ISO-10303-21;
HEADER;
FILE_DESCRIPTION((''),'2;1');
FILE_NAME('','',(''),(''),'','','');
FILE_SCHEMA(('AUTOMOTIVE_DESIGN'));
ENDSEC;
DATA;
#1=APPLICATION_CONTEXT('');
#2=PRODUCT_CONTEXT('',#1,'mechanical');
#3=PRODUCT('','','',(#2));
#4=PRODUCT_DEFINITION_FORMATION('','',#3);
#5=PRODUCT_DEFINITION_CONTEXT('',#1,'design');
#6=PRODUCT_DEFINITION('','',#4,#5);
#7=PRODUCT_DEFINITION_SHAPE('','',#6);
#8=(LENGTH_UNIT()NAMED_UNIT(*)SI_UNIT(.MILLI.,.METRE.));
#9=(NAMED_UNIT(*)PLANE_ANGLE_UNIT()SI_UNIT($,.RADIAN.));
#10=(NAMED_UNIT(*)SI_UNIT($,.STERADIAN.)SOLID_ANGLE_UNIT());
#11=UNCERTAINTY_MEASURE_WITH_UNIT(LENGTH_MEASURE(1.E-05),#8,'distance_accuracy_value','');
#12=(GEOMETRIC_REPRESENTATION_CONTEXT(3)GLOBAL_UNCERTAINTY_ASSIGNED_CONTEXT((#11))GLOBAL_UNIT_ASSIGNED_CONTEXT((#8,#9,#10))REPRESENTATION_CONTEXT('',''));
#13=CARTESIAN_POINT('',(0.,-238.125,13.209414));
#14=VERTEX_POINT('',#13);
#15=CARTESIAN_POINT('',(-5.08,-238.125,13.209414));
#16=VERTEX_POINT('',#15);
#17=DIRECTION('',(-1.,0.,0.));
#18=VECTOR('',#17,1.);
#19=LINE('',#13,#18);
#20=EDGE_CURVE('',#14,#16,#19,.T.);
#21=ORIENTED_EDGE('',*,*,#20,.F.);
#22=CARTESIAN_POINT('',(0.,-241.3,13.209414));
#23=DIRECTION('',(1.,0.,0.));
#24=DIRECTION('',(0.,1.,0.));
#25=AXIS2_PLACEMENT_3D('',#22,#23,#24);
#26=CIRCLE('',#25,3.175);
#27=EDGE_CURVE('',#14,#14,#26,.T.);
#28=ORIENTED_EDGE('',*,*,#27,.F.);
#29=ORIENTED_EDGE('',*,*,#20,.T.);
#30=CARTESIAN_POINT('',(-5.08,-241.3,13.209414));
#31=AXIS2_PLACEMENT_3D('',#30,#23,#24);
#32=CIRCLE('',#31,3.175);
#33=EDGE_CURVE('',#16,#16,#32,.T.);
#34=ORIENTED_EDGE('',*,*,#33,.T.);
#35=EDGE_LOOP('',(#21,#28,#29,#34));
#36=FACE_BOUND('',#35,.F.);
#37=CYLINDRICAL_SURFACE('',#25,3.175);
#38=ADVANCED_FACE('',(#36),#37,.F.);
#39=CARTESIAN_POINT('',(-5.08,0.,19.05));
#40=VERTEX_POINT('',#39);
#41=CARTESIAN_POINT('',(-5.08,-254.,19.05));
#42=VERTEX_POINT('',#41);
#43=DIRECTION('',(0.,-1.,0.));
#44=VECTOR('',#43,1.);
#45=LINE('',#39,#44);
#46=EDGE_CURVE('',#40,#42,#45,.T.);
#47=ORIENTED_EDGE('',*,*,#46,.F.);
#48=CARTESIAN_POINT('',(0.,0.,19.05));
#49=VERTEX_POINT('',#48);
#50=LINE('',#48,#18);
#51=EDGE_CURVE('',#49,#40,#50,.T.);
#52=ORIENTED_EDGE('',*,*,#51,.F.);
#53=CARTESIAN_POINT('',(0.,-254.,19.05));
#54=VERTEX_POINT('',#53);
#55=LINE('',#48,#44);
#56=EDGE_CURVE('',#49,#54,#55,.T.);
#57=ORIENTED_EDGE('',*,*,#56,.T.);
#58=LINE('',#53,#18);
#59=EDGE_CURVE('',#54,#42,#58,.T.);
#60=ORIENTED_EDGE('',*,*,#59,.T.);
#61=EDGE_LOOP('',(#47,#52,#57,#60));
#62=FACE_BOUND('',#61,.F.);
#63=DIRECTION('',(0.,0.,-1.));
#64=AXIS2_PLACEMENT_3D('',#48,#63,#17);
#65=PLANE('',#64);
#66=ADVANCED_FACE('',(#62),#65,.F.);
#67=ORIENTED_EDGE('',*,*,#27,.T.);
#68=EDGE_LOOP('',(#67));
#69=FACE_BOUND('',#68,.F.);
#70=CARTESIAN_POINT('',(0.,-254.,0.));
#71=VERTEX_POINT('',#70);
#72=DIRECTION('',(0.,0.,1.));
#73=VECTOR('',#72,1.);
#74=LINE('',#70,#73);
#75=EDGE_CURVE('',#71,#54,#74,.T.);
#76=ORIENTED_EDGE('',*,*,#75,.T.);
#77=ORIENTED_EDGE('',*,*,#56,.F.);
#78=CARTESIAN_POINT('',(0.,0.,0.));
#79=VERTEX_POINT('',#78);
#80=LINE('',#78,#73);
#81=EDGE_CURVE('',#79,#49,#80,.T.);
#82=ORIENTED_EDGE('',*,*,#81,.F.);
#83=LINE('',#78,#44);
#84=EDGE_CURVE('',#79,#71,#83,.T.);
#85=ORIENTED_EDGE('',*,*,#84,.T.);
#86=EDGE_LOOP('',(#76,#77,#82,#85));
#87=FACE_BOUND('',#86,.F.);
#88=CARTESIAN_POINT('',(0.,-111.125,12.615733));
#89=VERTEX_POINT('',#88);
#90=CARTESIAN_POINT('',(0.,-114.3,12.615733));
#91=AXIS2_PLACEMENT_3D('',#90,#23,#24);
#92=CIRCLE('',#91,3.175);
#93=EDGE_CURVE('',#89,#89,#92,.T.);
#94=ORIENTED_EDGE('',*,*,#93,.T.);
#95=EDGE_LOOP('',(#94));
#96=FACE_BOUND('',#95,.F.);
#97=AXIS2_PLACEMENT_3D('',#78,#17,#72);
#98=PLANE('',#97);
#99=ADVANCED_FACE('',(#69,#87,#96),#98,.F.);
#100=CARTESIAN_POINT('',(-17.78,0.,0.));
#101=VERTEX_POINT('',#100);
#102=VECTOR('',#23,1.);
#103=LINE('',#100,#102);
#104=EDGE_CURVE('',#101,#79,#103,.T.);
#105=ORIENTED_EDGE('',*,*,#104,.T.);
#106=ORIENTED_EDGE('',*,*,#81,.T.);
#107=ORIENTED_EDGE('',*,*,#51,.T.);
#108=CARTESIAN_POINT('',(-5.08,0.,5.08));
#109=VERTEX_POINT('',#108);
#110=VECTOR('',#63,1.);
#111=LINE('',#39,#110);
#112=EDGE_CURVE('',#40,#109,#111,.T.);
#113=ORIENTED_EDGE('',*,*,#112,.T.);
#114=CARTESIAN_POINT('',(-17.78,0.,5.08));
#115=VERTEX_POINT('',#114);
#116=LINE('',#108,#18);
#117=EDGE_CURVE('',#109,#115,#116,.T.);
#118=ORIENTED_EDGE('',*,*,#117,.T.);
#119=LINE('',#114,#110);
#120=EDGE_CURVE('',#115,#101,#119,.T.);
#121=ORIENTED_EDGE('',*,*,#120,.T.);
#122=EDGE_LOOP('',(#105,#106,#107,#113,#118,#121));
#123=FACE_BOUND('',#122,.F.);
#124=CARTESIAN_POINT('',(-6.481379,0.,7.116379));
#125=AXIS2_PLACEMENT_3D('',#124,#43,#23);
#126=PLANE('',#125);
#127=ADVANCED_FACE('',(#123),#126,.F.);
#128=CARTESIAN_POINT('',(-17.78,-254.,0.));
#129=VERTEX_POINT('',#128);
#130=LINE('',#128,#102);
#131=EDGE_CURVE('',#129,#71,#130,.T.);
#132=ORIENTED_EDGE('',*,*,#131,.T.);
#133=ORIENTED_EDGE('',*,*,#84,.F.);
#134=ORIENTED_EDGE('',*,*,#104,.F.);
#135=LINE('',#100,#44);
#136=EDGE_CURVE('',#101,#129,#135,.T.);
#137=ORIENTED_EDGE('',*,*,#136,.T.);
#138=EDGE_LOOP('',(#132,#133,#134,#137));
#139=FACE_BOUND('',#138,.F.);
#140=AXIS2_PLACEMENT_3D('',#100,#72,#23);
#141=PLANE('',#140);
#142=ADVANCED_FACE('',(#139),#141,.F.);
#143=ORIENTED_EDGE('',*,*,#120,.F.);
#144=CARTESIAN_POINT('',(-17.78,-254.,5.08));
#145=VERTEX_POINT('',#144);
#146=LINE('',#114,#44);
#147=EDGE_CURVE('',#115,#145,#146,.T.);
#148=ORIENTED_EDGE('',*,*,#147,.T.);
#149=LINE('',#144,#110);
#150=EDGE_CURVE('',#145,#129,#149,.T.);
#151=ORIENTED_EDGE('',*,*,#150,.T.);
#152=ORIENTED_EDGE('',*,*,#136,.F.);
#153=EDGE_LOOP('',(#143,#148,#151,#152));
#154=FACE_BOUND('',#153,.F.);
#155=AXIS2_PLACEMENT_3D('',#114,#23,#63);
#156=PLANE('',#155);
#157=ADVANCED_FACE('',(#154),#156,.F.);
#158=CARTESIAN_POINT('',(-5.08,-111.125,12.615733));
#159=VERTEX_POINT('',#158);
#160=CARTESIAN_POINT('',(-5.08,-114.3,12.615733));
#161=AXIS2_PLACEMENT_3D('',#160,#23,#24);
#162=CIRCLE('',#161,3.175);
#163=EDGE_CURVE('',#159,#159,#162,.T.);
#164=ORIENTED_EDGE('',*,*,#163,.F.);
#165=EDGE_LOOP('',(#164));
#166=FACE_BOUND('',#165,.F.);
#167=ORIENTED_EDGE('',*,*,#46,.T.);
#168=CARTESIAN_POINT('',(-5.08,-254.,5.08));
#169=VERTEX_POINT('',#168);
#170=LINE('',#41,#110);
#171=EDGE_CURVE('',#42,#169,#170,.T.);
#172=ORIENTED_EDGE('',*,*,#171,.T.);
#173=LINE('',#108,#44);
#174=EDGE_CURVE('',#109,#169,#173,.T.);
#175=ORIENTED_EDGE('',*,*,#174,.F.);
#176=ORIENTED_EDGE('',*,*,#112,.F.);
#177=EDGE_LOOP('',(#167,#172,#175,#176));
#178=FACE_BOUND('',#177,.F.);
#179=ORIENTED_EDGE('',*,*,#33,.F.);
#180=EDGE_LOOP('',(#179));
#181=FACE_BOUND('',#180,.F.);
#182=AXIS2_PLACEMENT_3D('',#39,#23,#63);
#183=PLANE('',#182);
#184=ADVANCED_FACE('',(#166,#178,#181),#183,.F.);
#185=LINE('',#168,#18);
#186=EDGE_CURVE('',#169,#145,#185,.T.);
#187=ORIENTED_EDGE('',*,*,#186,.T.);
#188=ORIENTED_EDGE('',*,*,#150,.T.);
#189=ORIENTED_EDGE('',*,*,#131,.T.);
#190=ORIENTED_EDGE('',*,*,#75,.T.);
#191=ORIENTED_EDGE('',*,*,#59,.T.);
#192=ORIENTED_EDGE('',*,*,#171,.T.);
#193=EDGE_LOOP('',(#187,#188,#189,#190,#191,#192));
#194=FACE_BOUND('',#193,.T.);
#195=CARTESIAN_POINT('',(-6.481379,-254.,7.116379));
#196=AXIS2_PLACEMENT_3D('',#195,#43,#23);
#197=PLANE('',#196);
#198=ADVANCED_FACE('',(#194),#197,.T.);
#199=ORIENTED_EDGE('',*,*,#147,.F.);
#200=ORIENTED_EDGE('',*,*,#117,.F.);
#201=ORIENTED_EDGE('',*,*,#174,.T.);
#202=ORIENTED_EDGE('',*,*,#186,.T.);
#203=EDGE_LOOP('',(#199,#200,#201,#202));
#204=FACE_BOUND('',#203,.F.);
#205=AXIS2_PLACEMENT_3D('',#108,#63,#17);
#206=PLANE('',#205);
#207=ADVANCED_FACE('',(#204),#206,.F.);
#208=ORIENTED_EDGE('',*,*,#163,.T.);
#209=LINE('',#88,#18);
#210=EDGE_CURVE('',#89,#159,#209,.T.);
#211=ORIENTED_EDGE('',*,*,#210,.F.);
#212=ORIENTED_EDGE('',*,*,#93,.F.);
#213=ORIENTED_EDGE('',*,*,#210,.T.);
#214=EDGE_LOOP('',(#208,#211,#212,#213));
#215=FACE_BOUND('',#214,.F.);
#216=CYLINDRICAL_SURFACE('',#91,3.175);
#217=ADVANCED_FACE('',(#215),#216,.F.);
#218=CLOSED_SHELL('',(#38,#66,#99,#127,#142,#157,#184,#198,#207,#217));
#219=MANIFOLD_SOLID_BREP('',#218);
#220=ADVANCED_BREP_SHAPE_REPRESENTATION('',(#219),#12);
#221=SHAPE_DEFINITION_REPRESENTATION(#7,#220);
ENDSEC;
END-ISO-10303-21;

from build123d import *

# Parameters (mm, degrees)
F1_DEPTH = 254
F2_R     = 3.175
F3_DEPTH = 25.4


with BuildPart() as f1:
    # F0 (on Front) → F1 (new body)
    with BuildSketch(Plane.XZ):
        Polygon((-17.78, 0), (0, 0), (0, 19.05), (-5.08, 19.05), (-5.08, 5.08), (-17.78, 5.08), align=None)
    extrude(amount=F1_DEPTH)

    # F2 (on face) → F3 (cut)
    with BuildSketch(Plane.YZ):
        with Locations((-241.3, 13.209414)):
            Circle(F2_R)
        with Locations((-114.3, 12.615733)):
            Circle(F2_R)
    extrude(amount=-F3_DEPTH, mode=Mode.SUBTRACT)


solid = f1.part
